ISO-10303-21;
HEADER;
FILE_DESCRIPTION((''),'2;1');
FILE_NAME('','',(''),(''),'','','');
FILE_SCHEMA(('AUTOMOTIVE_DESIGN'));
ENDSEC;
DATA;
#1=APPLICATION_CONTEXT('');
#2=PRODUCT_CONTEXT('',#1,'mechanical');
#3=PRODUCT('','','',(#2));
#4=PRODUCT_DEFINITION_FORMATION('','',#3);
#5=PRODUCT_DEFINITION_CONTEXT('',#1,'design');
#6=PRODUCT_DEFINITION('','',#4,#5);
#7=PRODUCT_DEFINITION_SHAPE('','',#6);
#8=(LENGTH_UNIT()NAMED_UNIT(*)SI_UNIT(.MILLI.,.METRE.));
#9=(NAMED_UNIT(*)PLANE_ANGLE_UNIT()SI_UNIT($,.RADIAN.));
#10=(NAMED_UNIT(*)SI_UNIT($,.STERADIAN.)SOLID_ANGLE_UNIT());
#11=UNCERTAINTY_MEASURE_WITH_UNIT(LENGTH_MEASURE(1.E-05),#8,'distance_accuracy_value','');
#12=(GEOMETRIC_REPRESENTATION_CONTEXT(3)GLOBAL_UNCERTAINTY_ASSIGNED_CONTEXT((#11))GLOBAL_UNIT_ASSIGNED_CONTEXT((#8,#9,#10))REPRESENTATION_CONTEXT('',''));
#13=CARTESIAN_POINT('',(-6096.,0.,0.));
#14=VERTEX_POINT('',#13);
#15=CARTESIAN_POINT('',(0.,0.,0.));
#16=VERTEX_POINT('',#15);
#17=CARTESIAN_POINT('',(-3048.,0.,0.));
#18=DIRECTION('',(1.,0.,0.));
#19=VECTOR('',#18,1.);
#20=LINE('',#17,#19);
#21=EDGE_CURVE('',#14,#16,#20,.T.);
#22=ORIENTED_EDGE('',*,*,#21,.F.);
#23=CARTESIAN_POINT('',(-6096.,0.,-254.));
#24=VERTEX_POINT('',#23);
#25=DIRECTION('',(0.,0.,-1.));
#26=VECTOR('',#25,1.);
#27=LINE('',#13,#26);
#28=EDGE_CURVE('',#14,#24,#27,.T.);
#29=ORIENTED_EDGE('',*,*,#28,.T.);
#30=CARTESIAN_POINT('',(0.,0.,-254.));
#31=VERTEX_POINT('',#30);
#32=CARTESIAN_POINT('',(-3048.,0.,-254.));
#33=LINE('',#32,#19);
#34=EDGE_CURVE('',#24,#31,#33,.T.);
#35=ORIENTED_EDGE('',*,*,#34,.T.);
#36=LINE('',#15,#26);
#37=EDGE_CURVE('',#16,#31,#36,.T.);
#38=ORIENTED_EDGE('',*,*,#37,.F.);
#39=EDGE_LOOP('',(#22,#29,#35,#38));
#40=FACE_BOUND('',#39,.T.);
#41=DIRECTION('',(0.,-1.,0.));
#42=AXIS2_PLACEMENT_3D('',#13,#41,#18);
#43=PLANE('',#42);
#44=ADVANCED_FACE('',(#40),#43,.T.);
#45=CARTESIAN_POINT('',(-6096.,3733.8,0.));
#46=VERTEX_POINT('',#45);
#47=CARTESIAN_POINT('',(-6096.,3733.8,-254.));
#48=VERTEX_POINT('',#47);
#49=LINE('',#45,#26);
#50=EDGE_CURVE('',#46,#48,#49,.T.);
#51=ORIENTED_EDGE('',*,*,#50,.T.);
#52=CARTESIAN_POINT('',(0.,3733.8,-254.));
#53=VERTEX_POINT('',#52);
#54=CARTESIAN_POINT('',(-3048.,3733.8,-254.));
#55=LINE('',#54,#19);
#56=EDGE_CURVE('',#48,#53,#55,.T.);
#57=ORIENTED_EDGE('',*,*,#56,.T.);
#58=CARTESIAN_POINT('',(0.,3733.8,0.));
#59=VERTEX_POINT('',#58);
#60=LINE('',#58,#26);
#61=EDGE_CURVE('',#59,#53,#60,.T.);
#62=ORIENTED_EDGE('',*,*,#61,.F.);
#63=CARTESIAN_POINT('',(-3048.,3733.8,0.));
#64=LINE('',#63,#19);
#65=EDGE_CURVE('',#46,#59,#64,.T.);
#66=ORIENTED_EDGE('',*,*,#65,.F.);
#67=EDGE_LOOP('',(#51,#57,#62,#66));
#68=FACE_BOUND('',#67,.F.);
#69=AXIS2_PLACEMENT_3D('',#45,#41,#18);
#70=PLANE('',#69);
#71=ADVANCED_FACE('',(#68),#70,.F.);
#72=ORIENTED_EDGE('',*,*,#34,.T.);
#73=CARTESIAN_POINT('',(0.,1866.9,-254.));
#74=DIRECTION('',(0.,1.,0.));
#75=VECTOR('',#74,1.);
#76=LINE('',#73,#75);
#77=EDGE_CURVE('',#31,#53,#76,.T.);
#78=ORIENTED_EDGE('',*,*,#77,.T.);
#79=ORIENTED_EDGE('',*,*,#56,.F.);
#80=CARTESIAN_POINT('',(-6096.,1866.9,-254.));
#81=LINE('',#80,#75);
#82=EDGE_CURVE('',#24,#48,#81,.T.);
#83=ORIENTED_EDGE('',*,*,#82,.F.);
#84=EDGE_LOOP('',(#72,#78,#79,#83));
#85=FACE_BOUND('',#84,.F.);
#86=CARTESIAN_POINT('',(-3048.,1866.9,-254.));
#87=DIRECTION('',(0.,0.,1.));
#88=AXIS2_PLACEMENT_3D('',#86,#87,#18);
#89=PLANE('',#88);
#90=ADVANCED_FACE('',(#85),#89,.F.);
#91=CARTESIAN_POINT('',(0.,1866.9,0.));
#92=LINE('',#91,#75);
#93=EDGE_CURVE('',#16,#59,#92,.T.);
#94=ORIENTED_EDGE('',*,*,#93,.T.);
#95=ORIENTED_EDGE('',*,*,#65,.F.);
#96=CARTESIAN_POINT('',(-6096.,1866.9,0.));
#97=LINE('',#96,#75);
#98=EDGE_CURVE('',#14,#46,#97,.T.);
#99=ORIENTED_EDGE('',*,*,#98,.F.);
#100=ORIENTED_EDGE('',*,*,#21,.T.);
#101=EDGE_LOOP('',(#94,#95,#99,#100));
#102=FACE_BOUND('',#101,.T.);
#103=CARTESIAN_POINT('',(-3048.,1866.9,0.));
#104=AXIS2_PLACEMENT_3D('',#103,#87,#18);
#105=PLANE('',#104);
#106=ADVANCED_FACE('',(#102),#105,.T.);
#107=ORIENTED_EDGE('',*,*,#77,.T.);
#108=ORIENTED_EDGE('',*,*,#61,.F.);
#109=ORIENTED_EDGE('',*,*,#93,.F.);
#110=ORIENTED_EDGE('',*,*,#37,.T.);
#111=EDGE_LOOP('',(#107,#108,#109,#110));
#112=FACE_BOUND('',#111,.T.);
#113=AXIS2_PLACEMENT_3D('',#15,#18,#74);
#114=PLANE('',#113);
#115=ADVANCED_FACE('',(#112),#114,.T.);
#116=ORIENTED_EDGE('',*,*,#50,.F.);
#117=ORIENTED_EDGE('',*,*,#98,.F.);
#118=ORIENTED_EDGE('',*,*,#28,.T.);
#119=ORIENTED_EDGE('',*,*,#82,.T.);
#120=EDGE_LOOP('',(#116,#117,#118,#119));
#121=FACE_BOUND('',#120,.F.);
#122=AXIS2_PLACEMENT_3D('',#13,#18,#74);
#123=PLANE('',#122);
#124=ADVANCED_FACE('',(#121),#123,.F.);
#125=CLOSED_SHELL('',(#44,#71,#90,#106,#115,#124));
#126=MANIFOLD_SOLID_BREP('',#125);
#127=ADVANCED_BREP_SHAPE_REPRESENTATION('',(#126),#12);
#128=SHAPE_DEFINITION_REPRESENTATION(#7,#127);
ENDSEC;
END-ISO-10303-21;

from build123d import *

# Parameters (mm, degrees)
F0_W     = 6096
F0_H     = 3733.8
F1_DEPTH = 254


with BuildPart() as f1:
    # F0 (on Top) → F1 (new body)
    with BuildSketch(Plane.XY):
        with Locations((-3048, 1866.9)):
            Rectangle(F0_W, F0_H)
    extrude(amount=-F1_DEPTH)


with BuildPart() as f2_1:
    # F2: copy of F1
    add(f1.part)


solid = f1.part
